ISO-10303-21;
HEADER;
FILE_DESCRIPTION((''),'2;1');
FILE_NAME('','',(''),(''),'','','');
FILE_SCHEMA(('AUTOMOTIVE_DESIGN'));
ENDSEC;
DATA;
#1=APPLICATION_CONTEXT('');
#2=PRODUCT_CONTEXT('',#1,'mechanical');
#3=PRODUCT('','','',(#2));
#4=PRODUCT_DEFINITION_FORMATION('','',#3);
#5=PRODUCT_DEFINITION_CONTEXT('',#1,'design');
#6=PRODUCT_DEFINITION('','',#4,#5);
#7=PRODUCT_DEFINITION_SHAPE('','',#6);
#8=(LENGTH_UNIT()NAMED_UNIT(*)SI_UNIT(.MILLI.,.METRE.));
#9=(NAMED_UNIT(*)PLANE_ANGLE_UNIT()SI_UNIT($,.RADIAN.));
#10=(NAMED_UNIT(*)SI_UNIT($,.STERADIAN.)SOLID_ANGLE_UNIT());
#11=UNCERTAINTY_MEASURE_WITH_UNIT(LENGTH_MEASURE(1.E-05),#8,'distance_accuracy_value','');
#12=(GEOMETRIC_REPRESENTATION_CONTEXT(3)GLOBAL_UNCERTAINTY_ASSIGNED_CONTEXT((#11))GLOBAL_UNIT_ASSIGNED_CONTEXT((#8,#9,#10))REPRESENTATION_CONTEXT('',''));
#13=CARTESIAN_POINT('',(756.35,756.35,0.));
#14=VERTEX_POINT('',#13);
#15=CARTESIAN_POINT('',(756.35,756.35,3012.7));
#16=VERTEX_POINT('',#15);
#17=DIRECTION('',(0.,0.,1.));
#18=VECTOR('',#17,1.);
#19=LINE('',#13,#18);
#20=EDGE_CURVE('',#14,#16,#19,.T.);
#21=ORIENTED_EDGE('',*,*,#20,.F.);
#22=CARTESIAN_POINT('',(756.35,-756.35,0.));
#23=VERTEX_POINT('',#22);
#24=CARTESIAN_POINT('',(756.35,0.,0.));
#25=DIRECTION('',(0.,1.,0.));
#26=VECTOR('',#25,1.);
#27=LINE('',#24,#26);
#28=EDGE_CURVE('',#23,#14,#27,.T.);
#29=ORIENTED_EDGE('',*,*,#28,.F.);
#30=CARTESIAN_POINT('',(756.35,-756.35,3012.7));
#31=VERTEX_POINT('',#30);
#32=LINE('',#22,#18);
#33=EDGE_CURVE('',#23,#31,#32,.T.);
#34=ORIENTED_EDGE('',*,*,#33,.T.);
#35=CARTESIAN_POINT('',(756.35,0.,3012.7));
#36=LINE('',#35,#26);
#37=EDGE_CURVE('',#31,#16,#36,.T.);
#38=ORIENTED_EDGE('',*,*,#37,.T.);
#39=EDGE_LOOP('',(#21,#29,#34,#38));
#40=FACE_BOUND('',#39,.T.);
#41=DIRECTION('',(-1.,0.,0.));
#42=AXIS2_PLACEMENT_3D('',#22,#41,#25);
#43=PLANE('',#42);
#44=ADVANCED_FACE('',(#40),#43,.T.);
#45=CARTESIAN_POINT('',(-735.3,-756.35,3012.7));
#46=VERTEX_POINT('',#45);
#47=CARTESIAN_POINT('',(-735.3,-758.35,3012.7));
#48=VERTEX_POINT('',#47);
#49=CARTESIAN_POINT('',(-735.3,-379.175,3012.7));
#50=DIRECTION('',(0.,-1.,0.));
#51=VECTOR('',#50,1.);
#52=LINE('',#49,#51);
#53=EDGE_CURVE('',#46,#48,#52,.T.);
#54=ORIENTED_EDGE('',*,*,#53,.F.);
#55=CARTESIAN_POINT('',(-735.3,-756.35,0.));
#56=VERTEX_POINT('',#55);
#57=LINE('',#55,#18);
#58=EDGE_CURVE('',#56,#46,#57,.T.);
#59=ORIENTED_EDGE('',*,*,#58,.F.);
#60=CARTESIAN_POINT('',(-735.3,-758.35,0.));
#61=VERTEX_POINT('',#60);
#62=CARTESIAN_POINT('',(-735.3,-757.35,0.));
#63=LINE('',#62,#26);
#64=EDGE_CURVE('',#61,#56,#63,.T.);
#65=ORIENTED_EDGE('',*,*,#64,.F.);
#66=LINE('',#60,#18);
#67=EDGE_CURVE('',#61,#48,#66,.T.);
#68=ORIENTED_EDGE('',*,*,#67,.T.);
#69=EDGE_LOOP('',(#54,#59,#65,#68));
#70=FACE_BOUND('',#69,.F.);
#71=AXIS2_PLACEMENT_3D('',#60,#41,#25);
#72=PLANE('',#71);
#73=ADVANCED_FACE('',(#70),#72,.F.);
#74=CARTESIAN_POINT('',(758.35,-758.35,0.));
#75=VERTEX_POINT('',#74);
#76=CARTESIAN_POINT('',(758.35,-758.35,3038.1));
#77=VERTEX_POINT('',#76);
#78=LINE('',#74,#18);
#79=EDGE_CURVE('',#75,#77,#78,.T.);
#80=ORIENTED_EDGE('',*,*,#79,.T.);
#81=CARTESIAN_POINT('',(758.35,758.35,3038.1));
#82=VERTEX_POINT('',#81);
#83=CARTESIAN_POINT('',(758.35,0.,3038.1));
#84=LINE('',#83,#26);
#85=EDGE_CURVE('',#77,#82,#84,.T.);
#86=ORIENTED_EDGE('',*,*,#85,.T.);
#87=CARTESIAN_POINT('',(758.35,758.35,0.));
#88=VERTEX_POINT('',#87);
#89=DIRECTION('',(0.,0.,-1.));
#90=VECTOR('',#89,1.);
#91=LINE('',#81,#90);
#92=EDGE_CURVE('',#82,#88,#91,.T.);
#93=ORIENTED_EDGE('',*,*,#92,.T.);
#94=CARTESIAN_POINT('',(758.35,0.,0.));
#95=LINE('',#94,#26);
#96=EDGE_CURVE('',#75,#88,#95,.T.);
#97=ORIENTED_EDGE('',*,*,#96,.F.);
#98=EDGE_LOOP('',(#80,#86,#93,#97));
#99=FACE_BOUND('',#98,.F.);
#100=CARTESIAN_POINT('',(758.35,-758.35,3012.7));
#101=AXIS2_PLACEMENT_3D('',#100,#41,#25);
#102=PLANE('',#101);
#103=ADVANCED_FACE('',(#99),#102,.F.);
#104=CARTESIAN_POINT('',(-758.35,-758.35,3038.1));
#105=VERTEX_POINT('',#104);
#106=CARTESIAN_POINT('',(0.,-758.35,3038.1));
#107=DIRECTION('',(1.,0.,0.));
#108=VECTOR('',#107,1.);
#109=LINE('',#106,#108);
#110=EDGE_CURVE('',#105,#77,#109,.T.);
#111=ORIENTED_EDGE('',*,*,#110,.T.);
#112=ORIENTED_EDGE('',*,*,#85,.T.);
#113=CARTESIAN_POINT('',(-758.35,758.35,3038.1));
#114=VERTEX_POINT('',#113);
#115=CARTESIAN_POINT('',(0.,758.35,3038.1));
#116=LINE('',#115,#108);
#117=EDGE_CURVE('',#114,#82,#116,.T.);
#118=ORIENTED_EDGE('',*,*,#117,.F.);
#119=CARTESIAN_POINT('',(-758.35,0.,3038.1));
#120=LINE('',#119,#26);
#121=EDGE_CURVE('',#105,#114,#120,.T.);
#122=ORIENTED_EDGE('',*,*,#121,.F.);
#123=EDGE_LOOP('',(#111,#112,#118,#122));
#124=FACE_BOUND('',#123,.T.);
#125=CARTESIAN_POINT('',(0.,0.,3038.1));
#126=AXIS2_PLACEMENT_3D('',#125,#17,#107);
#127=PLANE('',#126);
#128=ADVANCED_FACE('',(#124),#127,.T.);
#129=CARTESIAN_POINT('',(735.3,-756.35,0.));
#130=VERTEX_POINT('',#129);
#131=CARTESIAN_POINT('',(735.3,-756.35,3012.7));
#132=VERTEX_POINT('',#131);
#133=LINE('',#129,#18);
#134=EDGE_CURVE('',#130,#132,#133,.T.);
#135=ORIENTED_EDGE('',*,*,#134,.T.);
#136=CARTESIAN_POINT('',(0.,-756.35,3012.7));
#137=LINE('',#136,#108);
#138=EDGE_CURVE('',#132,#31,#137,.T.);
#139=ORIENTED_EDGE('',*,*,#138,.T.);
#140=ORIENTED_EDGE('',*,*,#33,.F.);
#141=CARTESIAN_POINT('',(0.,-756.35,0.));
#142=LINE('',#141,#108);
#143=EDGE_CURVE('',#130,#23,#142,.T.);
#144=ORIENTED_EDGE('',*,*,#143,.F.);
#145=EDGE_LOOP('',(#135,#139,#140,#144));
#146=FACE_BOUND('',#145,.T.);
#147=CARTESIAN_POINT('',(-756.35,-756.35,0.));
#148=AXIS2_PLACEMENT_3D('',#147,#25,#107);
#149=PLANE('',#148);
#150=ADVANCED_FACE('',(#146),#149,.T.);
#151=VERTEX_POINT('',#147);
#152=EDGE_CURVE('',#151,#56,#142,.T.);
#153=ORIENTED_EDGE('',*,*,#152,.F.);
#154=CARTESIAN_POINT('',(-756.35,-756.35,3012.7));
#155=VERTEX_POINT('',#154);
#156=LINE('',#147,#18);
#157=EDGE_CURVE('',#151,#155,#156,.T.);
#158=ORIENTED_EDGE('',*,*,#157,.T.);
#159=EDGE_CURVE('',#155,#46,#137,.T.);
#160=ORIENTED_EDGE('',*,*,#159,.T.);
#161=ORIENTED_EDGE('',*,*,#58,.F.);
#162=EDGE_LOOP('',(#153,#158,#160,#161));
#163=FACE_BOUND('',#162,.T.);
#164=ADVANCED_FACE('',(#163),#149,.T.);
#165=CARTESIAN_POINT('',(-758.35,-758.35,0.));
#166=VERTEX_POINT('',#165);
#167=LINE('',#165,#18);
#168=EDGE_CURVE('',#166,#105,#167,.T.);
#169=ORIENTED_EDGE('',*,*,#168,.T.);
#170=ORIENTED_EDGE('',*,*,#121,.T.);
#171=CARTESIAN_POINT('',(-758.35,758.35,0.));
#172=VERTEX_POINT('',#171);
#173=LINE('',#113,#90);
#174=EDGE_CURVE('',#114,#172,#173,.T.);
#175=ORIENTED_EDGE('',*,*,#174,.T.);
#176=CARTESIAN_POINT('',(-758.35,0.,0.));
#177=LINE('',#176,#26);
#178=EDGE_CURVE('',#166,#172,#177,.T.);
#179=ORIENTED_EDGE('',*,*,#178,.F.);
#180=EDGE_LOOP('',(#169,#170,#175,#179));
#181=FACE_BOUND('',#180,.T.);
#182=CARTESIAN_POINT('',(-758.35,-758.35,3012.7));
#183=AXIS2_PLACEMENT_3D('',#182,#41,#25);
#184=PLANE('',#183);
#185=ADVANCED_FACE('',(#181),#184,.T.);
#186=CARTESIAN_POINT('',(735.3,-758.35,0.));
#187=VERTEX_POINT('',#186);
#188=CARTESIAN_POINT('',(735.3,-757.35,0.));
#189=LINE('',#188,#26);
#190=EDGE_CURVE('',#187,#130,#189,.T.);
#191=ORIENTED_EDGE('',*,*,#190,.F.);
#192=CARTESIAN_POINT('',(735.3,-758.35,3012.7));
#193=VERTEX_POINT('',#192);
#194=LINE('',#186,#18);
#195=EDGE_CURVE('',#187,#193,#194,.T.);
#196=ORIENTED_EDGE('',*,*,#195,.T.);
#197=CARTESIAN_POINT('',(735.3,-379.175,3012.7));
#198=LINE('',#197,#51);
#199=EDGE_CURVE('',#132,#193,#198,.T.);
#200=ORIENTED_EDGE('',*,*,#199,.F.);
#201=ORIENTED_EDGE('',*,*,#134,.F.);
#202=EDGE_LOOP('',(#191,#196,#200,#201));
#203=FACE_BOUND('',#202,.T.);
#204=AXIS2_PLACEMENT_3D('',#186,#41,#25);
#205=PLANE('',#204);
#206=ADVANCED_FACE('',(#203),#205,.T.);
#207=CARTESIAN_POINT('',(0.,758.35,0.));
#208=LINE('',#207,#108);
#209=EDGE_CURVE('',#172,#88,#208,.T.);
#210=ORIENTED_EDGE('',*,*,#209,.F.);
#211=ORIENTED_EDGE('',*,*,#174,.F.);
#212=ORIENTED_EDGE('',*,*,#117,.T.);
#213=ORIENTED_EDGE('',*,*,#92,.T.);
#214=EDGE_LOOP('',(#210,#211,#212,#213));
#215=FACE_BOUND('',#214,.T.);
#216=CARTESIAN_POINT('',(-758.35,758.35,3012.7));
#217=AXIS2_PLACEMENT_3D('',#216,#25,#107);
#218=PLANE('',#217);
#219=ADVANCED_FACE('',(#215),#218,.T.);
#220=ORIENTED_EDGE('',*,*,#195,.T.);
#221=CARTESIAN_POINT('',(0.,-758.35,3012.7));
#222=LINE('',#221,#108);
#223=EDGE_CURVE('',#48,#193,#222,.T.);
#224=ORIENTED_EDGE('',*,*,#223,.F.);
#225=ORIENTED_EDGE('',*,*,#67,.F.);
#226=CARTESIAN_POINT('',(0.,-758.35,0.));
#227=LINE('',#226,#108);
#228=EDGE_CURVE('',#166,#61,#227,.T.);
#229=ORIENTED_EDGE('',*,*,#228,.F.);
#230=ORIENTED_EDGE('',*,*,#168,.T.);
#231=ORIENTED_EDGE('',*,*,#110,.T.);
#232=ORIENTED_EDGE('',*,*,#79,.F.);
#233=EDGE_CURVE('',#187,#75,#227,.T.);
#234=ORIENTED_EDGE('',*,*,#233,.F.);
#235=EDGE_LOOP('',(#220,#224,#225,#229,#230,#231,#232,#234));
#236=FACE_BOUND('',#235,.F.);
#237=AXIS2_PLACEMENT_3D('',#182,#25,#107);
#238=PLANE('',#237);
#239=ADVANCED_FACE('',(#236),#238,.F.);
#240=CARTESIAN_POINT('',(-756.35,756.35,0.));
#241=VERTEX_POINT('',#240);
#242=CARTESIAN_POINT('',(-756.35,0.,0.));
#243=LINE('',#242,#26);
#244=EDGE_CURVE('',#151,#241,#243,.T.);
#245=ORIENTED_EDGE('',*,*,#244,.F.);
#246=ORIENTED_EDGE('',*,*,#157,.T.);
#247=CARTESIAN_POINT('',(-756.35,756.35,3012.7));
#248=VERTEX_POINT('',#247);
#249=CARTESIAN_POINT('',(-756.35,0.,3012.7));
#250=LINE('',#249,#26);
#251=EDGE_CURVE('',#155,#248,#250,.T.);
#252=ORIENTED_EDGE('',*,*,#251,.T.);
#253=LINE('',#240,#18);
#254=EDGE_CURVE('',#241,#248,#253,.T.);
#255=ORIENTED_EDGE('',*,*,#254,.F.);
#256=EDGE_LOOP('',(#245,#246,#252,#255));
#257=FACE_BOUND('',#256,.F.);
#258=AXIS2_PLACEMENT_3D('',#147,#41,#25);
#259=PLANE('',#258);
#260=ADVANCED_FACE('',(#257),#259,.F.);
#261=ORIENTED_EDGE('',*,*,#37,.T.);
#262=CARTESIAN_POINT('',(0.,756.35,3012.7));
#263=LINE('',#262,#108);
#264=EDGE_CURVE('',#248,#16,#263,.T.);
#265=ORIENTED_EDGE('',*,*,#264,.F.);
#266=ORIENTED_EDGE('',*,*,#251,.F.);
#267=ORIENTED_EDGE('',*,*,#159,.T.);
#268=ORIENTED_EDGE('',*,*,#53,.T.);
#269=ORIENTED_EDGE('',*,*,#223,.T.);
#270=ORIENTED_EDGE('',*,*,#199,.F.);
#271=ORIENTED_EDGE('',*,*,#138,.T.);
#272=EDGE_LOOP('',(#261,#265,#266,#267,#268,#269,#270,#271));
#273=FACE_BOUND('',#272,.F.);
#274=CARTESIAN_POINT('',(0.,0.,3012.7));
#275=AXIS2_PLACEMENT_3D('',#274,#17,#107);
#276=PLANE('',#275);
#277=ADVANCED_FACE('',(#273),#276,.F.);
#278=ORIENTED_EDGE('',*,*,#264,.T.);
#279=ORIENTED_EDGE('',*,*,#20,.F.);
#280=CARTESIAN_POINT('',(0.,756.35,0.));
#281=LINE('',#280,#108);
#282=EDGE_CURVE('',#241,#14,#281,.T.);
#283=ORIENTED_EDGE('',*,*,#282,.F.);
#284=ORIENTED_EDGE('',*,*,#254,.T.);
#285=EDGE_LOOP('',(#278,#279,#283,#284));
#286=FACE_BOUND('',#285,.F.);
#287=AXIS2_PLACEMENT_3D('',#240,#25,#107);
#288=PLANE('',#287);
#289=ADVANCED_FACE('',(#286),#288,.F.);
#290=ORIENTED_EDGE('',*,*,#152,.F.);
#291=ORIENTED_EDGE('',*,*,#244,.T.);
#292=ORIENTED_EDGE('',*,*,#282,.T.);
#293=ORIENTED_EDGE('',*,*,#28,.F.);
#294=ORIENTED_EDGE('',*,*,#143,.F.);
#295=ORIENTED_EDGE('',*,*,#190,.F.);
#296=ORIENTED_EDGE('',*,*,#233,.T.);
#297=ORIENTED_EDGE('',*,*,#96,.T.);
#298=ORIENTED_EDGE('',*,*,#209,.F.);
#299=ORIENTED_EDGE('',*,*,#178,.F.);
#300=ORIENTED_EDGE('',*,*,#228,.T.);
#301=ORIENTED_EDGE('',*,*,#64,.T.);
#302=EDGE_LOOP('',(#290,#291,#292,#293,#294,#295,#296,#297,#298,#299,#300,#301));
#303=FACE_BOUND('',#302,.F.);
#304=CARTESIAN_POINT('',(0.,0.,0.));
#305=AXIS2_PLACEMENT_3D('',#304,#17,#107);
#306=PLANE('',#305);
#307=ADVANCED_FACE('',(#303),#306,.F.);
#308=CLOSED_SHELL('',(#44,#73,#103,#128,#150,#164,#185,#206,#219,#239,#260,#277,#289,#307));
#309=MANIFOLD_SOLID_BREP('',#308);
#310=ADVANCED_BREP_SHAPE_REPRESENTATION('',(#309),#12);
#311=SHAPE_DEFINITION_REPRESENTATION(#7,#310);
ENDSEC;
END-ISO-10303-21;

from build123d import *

# Parameters (mm, degrees)
F0_W     = 1516.7
F0_H     = 1516.7
F0_W_2   = 1512.7
F0_H_2   = 1512.7
F2_DEPTH = 3012.7
F5_W     = 1470.6
F5_H     = 2
F6_DEPTH = 3014.7
F8_W     = 1516.7
F8_H     = 1516.7
F9_DEPTH = 25.4


with BuildPart() as f2:
    # F0 (on Top) → F2 (new body)
    with BuildSketch(Plane.XY):
        Rectangle(F0_W, F0_H)
        Rectangle(F0_W_2, F0_H_2, mode=Mode.SUBTRACT)
    extrude(amount=F2_DEPTH)


with BuildPart() as f6:
    # F5 (on Top) → F6 (new body)
    with BuildSketch(Plane.XY):
        with Locations((0, -757.35)):
            Rectangle(F5_W, F5_H)
    extrude(amount=F6_DEPTH)


with BuildPart() as f2_1:
    add(f2.part)

    # F7: cut F6
    add(f6.part, mode=Mode.SUBTRACT)

    # F8 (on offset) → F9 (join)
    with BuildSketch(Plane.XY.offset(3012.7)):
        Rectangle(F8_W, F8_H)
    extrude(amount=F9_DEPTH)


solid = f2_1.part
